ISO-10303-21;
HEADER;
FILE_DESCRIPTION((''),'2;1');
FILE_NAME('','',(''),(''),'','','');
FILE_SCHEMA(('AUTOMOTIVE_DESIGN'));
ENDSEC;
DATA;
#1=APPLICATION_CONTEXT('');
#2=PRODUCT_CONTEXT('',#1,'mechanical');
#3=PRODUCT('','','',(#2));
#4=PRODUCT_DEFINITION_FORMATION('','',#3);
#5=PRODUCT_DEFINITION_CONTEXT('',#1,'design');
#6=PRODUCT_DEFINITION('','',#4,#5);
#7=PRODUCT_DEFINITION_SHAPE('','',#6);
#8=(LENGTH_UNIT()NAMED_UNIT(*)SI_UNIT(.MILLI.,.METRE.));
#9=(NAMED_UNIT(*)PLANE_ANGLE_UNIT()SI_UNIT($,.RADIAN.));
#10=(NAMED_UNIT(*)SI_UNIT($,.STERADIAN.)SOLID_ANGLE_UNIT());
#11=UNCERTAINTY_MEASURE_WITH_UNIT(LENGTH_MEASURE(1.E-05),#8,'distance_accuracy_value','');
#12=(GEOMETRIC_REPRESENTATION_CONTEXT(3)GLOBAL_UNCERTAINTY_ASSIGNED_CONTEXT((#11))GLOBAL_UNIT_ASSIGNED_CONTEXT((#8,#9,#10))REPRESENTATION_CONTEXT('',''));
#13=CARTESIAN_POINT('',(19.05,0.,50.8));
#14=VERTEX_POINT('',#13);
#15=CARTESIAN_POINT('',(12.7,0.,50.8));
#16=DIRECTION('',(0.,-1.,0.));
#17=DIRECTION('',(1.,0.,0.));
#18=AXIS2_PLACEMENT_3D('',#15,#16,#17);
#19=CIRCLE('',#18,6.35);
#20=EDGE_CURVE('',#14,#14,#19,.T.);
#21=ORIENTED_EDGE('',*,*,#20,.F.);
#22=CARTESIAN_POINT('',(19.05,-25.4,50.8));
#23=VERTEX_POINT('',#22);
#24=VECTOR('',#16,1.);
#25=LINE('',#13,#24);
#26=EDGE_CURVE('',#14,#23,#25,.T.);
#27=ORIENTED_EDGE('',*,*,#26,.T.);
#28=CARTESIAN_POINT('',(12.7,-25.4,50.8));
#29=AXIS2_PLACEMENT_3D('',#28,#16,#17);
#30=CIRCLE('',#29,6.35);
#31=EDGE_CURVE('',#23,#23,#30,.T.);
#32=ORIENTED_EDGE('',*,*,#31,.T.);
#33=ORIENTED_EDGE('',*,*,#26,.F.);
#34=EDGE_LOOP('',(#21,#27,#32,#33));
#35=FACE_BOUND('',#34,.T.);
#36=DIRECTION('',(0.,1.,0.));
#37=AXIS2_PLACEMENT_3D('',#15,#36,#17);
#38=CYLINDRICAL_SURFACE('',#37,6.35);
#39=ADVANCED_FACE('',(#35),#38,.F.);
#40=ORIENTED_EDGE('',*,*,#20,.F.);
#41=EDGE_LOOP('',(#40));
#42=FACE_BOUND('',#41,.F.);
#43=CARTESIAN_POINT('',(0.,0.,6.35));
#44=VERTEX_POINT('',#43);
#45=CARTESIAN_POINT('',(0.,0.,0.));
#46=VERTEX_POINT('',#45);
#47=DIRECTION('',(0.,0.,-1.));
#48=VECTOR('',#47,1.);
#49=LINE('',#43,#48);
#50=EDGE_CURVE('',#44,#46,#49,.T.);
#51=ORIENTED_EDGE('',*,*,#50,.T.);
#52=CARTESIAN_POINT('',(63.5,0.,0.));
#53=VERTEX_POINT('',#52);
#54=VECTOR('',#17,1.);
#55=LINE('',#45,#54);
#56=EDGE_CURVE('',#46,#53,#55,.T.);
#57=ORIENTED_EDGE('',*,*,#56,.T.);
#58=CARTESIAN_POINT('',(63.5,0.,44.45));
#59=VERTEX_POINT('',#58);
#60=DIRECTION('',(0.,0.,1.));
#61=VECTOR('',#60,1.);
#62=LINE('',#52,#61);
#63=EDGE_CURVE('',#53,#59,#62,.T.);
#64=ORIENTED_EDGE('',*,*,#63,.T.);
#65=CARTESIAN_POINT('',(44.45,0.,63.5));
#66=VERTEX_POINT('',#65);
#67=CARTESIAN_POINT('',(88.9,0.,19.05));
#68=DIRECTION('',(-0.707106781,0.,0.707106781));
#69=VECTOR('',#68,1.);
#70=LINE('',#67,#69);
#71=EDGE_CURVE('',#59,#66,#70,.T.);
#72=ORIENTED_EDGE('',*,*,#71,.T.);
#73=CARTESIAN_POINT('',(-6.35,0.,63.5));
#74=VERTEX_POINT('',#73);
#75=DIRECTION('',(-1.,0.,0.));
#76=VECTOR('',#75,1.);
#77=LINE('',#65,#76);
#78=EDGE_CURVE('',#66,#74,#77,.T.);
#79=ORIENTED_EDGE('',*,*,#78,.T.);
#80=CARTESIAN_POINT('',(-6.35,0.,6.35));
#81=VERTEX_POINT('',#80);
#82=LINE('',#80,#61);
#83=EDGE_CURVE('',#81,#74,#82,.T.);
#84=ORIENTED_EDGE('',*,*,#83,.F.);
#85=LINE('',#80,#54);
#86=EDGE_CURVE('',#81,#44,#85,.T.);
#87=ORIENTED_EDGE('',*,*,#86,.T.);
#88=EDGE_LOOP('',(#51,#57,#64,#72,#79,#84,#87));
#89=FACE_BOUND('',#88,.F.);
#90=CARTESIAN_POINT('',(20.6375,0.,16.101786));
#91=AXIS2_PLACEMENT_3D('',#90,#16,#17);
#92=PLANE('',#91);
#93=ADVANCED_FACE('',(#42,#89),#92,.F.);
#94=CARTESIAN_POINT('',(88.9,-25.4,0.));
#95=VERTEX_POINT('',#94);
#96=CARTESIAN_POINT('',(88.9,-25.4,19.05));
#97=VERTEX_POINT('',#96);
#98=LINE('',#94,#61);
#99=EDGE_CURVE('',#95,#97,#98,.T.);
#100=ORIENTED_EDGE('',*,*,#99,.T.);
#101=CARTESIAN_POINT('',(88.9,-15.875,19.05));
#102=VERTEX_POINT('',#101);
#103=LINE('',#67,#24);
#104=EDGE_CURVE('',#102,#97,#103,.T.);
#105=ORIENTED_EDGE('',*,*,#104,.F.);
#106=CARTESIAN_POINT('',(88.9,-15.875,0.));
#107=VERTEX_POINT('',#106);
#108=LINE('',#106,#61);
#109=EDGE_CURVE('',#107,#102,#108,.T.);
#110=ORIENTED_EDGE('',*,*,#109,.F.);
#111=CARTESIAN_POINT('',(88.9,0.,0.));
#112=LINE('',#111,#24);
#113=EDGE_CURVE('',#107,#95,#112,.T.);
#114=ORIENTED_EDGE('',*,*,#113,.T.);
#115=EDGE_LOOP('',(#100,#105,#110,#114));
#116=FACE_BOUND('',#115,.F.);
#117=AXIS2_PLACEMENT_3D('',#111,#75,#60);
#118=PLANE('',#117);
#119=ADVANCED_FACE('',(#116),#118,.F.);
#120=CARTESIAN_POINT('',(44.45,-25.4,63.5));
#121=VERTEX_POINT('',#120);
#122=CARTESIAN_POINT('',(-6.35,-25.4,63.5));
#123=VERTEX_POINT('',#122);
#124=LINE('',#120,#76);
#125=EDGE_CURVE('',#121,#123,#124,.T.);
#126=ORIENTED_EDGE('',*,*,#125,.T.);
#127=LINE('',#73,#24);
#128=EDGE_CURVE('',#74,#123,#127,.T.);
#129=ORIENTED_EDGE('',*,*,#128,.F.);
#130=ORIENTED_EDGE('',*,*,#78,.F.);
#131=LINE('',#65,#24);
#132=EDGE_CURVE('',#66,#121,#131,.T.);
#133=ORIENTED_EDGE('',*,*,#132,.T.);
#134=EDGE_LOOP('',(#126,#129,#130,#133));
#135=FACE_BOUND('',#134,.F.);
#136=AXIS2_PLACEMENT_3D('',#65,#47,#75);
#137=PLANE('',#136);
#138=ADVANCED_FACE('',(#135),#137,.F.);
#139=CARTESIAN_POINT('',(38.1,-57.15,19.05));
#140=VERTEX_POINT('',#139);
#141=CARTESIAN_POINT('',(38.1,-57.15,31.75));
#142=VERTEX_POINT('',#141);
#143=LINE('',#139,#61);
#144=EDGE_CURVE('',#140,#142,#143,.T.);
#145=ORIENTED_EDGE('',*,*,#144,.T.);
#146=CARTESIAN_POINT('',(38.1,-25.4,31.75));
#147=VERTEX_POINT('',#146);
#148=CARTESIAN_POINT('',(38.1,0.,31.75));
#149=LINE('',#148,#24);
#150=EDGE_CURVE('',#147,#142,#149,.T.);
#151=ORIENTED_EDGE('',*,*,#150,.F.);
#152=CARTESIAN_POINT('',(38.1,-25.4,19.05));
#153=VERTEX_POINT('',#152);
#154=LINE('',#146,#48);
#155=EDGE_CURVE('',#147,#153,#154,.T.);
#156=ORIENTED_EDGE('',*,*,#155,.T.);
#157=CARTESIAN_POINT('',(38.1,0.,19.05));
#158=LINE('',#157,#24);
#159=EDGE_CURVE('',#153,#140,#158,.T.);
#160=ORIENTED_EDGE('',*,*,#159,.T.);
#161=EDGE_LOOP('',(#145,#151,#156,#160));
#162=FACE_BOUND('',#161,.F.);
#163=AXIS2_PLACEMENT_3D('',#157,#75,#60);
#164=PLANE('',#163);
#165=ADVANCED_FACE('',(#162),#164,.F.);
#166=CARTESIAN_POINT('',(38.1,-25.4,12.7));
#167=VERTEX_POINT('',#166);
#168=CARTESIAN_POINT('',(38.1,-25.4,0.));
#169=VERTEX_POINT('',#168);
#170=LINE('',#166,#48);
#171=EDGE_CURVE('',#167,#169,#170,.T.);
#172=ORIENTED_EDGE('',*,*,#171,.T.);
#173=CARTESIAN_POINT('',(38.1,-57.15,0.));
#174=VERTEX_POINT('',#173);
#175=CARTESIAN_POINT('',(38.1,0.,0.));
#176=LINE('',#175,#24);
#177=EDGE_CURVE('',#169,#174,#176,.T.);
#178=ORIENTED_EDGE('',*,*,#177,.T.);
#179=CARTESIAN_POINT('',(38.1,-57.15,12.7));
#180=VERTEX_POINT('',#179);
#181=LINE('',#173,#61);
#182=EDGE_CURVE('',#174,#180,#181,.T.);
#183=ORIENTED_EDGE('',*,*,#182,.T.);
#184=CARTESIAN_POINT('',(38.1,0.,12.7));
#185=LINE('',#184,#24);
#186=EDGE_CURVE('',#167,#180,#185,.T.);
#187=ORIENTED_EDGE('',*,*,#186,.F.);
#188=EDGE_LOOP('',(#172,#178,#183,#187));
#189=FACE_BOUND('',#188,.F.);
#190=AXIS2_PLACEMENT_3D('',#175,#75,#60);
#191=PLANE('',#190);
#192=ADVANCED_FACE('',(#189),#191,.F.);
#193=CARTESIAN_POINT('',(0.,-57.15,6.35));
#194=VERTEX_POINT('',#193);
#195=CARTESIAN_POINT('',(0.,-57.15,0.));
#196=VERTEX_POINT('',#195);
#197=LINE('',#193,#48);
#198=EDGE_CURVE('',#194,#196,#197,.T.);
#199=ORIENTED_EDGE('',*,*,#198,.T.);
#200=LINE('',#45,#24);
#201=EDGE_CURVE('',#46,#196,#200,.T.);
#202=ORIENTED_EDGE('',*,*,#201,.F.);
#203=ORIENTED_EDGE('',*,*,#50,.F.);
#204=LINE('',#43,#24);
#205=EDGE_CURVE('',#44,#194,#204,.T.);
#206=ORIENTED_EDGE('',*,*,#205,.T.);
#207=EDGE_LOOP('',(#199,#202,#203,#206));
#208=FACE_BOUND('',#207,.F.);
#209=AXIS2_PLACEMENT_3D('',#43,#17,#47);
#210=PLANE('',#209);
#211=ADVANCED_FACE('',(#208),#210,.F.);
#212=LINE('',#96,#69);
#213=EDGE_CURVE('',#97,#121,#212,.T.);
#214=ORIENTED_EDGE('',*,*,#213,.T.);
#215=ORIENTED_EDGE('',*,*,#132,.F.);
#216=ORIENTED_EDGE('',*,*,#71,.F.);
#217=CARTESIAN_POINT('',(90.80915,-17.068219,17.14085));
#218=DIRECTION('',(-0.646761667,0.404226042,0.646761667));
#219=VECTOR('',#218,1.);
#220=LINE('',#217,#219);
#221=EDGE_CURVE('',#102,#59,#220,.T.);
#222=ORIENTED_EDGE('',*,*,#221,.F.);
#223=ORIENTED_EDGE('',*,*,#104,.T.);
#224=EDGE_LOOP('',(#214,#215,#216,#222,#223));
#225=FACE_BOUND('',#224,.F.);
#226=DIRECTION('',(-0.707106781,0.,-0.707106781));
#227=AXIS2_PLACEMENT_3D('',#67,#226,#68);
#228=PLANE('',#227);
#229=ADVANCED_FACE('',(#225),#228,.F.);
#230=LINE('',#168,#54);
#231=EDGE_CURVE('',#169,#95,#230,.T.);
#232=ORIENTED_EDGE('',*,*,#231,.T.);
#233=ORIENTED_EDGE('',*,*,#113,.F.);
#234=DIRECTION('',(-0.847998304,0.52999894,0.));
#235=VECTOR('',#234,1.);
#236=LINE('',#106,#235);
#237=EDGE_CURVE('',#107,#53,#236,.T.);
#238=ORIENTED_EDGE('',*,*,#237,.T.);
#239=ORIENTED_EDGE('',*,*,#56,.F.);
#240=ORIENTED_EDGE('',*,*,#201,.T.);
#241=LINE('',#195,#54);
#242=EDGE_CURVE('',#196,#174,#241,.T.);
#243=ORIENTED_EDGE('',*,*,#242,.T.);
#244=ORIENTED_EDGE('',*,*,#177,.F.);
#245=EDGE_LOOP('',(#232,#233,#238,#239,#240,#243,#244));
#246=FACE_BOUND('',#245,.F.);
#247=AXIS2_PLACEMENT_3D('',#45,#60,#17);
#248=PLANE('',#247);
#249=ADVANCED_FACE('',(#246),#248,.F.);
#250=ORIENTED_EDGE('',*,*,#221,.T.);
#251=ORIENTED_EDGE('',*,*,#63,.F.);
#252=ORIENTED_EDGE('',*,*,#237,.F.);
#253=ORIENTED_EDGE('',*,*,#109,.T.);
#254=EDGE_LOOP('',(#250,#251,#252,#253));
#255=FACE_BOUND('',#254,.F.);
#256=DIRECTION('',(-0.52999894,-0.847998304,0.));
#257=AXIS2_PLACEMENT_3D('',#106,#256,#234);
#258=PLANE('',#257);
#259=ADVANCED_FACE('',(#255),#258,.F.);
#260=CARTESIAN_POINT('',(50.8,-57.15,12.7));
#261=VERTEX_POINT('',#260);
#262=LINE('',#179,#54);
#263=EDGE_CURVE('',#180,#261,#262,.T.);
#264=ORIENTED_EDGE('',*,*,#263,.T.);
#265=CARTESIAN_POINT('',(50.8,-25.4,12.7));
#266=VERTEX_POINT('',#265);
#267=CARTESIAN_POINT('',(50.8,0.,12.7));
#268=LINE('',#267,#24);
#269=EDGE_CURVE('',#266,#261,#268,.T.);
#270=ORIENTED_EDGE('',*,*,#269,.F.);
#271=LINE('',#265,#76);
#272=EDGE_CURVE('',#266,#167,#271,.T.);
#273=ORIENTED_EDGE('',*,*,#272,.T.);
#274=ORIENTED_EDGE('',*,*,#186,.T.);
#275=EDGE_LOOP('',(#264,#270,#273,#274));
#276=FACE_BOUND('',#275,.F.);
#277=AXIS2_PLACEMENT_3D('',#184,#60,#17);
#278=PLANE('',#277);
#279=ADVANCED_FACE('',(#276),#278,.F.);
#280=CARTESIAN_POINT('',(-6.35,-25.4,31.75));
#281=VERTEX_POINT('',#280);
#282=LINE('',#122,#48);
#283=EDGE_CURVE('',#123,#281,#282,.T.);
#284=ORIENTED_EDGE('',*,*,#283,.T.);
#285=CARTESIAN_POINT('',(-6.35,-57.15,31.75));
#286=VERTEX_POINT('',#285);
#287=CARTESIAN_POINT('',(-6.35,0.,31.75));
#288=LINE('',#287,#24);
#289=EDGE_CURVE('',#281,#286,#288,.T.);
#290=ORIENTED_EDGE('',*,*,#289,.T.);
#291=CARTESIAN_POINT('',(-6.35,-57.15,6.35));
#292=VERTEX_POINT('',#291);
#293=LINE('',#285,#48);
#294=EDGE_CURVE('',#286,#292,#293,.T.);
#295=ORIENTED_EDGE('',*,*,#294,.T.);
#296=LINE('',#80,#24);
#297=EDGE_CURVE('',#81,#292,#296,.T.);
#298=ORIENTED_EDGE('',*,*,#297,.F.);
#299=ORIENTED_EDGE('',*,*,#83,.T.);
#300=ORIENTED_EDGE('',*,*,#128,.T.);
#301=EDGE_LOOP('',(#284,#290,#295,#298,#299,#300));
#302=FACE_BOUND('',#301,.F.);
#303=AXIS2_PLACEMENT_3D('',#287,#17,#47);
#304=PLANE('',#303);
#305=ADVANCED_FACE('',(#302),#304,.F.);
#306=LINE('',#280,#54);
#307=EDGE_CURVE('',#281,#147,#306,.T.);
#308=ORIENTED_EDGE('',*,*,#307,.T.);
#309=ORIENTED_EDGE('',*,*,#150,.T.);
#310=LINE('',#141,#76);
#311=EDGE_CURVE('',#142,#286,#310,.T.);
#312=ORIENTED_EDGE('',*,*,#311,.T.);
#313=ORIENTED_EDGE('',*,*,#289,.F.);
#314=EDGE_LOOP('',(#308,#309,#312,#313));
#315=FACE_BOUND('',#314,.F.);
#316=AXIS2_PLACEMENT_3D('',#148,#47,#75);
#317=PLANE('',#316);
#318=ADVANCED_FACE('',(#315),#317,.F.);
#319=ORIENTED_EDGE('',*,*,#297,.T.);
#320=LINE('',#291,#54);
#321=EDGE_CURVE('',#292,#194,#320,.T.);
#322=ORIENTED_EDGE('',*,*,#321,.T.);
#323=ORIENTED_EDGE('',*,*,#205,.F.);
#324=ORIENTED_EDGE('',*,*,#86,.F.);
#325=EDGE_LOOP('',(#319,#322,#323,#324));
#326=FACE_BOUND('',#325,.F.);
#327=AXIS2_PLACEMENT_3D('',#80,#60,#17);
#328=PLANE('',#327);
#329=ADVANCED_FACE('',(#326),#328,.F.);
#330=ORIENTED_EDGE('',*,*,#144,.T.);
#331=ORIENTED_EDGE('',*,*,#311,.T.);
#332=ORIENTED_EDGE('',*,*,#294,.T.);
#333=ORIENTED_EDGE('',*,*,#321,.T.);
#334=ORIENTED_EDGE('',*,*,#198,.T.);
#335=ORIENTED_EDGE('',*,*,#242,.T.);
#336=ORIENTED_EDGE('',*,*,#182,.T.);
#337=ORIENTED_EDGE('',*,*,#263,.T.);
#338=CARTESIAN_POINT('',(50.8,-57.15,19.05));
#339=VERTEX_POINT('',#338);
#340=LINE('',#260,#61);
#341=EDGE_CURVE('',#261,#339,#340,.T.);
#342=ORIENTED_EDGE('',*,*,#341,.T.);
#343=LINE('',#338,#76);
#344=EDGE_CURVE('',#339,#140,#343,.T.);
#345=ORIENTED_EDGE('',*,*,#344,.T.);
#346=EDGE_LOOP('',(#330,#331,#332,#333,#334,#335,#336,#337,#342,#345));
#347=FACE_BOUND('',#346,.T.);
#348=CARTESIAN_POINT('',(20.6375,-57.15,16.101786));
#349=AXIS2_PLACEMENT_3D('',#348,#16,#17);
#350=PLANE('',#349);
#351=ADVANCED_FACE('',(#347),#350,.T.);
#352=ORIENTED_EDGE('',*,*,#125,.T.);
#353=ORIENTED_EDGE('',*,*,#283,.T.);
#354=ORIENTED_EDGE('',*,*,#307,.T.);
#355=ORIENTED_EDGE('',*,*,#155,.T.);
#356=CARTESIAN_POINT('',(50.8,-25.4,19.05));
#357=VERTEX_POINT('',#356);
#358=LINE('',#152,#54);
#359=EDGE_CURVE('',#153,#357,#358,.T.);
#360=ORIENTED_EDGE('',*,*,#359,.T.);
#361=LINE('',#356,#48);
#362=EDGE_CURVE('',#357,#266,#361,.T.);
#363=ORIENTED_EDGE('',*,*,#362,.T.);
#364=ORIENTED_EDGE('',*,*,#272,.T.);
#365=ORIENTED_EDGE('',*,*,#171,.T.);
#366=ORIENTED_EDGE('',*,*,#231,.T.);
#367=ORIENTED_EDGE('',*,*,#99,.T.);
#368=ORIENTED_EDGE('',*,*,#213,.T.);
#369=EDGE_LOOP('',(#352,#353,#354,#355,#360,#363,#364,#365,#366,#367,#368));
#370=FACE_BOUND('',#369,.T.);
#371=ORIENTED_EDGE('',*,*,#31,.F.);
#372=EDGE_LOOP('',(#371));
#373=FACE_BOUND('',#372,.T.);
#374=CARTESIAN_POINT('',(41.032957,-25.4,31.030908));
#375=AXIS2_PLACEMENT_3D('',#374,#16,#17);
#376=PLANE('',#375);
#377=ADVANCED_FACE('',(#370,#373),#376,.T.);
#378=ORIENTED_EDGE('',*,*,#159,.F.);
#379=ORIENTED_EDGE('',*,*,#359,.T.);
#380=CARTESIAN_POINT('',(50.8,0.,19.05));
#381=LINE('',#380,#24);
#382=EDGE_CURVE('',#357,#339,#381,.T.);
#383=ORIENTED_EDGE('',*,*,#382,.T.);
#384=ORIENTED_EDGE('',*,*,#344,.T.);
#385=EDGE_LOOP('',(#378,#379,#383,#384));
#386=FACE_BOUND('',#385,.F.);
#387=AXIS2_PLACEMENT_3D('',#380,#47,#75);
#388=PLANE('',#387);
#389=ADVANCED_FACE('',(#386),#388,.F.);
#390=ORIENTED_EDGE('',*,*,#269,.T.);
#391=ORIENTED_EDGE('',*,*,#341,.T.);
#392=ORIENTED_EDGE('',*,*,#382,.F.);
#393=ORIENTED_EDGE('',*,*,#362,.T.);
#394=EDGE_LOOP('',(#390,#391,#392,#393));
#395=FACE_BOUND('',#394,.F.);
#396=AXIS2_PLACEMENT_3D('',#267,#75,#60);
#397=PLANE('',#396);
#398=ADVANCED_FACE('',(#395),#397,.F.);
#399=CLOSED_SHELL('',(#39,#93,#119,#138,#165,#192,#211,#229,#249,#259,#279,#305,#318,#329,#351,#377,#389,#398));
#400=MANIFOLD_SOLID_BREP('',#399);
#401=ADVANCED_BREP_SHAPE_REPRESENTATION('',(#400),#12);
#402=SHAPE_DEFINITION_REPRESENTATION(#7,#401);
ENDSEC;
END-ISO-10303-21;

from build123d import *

# Parameters (mm, degrees)
F0_R     = 6.35
F1_DEPTH = 25.4
F2_DEPTH = 57.15
F4_DEPTH = 50.8


with BuildPart() as f1:
    # F0 (on Front) → F1 (new body)
    with BuildSketch(Plane.XZ):
        Polygon((38.1, 12.7), (38.1, 0), (88.9, 0), (88.9, 19.05), (44.45, 63.5), (-6.35, 63.5), (-6.35, 31.75), (38.1, 31.75), (38.1, 19.05), (50.8, 19.05), (50.8, 12.7), align=None)
        with Locations((12.7, 50.8)):
            Circle(F0_R, mode=Mode.SUBTRACT)
    extrude(amount=F1_DEPTH)

    # F0 (on Front) → F2 (join)
    with BuildSketch(Plane.XZ):
        Polygon((0, 6.35), (0, 0), (38.1, 0), (38.1, 12.7), (50.8, 12.7), (50.8, 19.05), (38.1, 19.05), (38.1, 31.75), (-6.35, 31.75), (-6.35, 6.35), align=None)
    extrude(amount=F2_DEPTH)

    # F3 (on face) → F4 (cut)
    with BuildSketch(Plane(origin=(0, 0, 0), x_dir=(1, 0, 0), z_dir=(0, 0, -1))):
        Polygon((88.9, 0), (88.9, 15.875), (63.5, 0), align=None)
    extrude(amount=-F4_DEPTH, mode=Mode.SUBTRACT)


solid = f1.part
